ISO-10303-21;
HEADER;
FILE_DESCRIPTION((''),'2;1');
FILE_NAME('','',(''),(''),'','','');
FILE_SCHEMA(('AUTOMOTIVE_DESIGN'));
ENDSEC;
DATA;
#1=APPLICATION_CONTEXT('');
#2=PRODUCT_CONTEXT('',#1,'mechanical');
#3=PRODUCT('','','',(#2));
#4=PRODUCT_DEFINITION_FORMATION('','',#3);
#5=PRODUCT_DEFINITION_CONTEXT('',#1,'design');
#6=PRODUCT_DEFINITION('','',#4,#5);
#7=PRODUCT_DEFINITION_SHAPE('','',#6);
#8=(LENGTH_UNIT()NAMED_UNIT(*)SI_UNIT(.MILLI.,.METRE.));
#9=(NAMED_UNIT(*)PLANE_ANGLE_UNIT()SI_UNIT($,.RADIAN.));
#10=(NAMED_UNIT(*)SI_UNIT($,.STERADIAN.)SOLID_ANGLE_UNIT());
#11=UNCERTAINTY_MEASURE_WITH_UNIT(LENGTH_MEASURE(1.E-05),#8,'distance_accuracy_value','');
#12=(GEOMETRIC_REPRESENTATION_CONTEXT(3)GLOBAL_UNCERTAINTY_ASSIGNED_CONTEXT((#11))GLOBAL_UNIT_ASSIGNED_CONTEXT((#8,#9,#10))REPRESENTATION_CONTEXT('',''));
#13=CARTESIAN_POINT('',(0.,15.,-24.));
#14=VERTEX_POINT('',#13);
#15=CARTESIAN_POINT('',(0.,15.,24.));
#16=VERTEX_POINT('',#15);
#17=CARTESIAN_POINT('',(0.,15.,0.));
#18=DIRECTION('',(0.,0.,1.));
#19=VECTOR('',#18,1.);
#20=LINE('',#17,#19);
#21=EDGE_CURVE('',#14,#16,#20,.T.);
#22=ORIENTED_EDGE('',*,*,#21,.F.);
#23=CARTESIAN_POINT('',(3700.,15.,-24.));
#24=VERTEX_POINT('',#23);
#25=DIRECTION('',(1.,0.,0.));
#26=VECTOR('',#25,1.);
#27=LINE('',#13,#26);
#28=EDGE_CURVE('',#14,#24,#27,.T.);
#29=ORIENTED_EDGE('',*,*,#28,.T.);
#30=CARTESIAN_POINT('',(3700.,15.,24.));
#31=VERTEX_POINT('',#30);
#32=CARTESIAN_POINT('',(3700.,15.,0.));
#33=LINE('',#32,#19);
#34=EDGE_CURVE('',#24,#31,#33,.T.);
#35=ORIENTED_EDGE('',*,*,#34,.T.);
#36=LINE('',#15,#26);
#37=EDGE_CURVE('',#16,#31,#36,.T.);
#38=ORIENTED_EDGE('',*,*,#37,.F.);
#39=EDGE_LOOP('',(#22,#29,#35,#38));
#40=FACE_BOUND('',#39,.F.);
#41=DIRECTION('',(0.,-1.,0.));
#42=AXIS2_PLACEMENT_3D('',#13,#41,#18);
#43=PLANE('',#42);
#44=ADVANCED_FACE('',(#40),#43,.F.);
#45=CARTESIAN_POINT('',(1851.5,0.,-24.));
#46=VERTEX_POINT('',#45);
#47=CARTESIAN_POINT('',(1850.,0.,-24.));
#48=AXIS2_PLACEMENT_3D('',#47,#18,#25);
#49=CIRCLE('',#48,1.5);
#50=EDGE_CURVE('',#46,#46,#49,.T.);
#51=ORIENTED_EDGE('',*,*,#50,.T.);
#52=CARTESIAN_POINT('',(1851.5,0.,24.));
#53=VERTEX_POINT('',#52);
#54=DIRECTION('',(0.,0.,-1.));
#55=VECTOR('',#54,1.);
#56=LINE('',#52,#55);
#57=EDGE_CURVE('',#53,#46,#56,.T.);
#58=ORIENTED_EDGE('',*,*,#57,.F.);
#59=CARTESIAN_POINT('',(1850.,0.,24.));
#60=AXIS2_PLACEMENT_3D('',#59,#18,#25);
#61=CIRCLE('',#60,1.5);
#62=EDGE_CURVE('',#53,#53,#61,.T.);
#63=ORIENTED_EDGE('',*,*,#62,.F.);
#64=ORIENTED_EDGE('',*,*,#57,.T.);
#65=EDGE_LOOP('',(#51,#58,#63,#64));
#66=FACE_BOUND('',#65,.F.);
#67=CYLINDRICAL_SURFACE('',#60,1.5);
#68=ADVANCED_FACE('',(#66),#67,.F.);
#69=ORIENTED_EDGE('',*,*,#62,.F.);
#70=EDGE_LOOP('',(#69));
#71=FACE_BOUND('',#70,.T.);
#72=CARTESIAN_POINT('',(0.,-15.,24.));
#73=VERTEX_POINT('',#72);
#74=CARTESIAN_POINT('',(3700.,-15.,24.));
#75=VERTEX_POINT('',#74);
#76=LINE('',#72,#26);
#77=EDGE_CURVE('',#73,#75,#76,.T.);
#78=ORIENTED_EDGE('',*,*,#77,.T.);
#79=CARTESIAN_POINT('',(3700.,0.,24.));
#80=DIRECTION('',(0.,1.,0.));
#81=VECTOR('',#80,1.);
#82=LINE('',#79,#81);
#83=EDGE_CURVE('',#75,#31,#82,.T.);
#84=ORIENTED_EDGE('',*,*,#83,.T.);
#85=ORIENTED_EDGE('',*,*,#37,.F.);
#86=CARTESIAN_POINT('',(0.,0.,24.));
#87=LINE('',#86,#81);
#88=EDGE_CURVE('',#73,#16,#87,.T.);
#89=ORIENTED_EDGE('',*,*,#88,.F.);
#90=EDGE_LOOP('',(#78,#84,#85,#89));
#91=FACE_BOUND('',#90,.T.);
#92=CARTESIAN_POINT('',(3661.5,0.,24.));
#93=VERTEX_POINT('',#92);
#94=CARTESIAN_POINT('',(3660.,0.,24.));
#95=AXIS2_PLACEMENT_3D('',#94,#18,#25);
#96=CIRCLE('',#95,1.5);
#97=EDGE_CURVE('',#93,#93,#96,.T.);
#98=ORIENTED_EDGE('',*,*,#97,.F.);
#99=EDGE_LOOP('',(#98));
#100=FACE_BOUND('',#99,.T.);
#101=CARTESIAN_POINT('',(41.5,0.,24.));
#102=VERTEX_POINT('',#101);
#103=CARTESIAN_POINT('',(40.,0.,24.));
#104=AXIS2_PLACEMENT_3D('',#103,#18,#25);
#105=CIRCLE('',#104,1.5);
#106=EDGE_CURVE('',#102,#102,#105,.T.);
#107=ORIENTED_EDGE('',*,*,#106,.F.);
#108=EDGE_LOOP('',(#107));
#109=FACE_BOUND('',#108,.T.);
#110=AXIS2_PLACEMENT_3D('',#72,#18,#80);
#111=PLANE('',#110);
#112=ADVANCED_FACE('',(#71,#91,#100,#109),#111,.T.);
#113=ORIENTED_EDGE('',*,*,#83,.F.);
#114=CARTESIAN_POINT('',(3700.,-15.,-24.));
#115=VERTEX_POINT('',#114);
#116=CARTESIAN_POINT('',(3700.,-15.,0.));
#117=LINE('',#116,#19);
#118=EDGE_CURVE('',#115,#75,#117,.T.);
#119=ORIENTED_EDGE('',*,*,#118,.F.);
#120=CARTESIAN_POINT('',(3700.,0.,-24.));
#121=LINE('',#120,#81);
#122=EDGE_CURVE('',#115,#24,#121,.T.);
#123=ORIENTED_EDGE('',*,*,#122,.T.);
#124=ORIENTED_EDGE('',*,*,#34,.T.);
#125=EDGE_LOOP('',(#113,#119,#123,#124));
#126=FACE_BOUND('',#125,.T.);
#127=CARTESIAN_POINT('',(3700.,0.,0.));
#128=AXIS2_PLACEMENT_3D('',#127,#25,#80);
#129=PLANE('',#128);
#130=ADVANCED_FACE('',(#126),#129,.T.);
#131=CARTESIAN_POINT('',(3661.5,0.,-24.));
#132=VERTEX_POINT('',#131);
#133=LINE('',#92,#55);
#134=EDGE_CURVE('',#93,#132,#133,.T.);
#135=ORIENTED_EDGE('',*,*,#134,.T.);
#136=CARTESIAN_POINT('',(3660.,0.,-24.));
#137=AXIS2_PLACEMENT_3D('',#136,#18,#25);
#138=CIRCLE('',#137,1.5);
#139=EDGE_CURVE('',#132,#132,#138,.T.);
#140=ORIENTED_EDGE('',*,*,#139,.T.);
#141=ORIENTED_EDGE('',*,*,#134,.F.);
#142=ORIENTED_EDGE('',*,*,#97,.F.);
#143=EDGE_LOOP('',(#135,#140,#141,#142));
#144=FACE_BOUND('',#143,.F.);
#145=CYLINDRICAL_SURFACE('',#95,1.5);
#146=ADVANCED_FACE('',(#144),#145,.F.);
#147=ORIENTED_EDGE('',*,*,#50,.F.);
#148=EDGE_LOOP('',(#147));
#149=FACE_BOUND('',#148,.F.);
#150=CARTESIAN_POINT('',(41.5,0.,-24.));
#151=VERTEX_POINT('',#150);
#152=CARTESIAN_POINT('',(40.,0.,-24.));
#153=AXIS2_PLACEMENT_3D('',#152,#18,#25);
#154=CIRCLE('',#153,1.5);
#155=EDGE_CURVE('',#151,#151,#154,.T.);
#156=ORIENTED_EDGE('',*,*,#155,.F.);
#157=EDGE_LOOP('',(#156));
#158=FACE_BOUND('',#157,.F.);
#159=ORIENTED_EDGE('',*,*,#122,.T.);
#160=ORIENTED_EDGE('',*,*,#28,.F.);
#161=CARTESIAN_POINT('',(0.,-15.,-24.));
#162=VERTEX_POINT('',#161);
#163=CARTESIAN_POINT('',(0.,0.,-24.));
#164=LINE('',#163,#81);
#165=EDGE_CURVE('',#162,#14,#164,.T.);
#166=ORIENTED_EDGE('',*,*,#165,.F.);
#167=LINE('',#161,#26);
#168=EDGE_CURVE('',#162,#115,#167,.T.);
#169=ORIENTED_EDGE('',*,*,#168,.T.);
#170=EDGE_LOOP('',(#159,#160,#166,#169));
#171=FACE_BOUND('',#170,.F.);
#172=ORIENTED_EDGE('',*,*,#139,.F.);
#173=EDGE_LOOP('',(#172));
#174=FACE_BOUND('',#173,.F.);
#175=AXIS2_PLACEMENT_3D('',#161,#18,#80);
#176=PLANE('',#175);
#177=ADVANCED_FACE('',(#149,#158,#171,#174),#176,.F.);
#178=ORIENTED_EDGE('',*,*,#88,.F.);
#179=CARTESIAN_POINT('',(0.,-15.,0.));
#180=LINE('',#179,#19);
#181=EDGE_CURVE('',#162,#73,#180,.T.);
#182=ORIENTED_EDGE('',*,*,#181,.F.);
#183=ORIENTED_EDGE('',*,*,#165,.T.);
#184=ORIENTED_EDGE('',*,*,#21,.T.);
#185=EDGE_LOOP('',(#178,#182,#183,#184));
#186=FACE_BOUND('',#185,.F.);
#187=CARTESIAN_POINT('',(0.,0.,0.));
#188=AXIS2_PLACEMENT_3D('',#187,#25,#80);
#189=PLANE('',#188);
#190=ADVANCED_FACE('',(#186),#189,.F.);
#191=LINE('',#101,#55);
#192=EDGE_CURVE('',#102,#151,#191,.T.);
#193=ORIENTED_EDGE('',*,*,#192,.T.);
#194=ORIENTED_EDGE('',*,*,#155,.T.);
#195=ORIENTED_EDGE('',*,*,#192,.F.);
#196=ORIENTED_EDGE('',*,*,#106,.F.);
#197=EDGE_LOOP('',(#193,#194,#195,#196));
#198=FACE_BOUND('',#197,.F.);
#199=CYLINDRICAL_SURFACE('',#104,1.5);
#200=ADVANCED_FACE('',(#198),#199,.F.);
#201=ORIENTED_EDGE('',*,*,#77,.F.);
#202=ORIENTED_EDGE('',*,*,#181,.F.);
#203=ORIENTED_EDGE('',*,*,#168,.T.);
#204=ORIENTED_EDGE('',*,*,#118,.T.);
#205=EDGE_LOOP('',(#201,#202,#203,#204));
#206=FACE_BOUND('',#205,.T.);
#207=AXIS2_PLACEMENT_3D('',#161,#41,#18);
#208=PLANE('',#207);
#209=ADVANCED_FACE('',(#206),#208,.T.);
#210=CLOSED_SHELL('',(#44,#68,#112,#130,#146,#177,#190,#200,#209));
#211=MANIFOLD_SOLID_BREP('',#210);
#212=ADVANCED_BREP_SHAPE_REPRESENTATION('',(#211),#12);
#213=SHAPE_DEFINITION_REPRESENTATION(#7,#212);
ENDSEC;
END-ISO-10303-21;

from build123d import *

# Parameters (mm, degrees)
F0_W     = 30
F0_H     = 48
F1_DEPTH = 3700
F2_R     = 1.5
F3_DEPTH = 50


with BuildPart() as f1:
    # F0 (on Right) → F1 (new body)
    with BuildSketch(Plane.YZ):
        Rectangle(F0_W, F0_H)
    extrude(amount=F1_DEPTH)

    # F2 (on face) → F3 (cut)
    with BuildSketch(Plane.XY.offset(24)):
        with Locations((40, 0)):
            Circle(F2_R)
        with Locations((1850, 0)):
            Circle(F2_R)
        with Locations((3660, 0)):
            Circle(F2_R)
    extrude(amount=-F3_DEPTH, mode=Mode.SUBTRACT)


solid = f1.part
